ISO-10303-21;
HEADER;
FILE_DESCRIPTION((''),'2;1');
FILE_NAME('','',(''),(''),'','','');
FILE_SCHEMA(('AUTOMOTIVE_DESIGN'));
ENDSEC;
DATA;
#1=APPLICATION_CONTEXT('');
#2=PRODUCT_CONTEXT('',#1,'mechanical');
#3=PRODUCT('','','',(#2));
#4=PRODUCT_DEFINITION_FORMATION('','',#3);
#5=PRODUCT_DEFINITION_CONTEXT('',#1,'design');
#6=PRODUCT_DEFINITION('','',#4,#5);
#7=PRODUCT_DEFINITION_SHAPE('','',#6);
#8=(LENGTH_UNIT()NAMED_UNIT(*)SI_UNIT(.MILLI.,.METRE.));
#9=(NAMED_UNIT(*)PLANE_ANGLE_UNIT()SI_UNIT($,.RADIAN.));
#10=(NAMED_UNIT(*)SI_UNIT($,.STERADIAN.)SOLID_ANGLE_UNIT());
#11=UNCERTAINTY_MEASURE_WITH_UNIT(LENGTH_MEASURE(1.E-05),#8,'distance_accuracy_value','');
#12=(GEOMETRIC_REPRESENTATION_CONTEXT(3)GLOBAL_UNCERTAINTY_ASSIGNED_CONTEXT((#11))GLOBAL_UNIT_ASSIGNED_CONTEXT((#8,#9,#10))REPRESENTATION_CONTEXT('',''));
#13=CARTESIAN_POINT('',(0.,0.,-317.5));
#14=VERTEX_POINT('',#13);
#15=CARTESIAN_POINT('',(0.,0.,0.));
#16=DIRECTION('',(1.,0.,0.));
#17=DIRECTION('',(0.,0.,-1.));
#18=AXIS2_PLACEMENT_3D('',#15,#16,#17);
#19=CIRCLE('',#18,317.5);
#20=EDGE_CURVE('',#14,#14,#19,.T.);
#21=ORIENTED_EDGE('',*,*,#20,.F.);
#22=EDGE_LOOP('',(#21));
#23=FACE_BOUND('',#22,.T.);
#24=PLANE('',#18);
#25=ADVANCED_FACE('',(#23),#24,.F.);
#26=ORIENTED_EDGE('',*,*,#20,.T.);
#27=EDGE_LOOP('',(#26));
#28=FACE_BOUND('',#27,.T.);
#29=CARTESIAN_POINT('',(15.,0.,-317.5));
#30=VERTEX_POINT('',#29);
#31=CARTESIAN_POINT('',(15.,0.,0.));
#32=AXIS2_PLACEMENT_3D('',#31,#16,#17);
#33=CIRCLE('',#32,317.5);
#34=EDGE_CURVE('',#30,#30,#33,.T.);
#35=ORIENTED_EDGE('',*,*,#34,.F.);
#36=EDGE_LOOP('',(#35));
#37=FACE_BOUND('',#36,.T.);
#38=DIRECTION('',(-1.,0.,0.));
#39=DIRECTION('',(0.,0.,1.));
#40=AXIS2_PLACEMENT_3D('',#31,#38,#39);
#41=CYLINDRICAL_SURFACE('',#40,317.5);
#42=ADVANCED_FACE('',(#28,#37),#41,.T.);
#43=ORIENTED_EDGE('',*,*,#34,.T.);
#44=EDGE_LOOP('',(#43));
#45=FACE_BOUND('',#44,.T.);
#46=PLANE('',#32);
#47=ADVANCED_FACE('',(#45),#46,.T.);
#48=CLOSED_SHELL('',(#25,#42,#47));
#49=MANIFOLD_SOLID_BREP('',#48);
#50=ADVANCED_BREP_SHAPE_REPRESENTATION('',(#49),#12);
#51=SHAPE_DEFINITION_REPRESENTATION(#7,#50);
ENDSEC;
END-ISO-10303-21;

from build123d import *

# Parameters (mm, degrees)
ESQUISSE1_R        = 317.5
BOSS_EXTRU_1_DEPTH = 15


with BuildPart() as part:
    # Esquisse1 → Boss.-Extru.1 (new body)
    with BuildSketch(Plane(origin=(0, 0, 0), x_dir=(0, 0, -1), z_dir=(1, 0, 0))):
        Circle(ESQUISSE1_R)
    extrude(amount=BOSS_EXTRU_1_DEPTH)


solid = part.part
